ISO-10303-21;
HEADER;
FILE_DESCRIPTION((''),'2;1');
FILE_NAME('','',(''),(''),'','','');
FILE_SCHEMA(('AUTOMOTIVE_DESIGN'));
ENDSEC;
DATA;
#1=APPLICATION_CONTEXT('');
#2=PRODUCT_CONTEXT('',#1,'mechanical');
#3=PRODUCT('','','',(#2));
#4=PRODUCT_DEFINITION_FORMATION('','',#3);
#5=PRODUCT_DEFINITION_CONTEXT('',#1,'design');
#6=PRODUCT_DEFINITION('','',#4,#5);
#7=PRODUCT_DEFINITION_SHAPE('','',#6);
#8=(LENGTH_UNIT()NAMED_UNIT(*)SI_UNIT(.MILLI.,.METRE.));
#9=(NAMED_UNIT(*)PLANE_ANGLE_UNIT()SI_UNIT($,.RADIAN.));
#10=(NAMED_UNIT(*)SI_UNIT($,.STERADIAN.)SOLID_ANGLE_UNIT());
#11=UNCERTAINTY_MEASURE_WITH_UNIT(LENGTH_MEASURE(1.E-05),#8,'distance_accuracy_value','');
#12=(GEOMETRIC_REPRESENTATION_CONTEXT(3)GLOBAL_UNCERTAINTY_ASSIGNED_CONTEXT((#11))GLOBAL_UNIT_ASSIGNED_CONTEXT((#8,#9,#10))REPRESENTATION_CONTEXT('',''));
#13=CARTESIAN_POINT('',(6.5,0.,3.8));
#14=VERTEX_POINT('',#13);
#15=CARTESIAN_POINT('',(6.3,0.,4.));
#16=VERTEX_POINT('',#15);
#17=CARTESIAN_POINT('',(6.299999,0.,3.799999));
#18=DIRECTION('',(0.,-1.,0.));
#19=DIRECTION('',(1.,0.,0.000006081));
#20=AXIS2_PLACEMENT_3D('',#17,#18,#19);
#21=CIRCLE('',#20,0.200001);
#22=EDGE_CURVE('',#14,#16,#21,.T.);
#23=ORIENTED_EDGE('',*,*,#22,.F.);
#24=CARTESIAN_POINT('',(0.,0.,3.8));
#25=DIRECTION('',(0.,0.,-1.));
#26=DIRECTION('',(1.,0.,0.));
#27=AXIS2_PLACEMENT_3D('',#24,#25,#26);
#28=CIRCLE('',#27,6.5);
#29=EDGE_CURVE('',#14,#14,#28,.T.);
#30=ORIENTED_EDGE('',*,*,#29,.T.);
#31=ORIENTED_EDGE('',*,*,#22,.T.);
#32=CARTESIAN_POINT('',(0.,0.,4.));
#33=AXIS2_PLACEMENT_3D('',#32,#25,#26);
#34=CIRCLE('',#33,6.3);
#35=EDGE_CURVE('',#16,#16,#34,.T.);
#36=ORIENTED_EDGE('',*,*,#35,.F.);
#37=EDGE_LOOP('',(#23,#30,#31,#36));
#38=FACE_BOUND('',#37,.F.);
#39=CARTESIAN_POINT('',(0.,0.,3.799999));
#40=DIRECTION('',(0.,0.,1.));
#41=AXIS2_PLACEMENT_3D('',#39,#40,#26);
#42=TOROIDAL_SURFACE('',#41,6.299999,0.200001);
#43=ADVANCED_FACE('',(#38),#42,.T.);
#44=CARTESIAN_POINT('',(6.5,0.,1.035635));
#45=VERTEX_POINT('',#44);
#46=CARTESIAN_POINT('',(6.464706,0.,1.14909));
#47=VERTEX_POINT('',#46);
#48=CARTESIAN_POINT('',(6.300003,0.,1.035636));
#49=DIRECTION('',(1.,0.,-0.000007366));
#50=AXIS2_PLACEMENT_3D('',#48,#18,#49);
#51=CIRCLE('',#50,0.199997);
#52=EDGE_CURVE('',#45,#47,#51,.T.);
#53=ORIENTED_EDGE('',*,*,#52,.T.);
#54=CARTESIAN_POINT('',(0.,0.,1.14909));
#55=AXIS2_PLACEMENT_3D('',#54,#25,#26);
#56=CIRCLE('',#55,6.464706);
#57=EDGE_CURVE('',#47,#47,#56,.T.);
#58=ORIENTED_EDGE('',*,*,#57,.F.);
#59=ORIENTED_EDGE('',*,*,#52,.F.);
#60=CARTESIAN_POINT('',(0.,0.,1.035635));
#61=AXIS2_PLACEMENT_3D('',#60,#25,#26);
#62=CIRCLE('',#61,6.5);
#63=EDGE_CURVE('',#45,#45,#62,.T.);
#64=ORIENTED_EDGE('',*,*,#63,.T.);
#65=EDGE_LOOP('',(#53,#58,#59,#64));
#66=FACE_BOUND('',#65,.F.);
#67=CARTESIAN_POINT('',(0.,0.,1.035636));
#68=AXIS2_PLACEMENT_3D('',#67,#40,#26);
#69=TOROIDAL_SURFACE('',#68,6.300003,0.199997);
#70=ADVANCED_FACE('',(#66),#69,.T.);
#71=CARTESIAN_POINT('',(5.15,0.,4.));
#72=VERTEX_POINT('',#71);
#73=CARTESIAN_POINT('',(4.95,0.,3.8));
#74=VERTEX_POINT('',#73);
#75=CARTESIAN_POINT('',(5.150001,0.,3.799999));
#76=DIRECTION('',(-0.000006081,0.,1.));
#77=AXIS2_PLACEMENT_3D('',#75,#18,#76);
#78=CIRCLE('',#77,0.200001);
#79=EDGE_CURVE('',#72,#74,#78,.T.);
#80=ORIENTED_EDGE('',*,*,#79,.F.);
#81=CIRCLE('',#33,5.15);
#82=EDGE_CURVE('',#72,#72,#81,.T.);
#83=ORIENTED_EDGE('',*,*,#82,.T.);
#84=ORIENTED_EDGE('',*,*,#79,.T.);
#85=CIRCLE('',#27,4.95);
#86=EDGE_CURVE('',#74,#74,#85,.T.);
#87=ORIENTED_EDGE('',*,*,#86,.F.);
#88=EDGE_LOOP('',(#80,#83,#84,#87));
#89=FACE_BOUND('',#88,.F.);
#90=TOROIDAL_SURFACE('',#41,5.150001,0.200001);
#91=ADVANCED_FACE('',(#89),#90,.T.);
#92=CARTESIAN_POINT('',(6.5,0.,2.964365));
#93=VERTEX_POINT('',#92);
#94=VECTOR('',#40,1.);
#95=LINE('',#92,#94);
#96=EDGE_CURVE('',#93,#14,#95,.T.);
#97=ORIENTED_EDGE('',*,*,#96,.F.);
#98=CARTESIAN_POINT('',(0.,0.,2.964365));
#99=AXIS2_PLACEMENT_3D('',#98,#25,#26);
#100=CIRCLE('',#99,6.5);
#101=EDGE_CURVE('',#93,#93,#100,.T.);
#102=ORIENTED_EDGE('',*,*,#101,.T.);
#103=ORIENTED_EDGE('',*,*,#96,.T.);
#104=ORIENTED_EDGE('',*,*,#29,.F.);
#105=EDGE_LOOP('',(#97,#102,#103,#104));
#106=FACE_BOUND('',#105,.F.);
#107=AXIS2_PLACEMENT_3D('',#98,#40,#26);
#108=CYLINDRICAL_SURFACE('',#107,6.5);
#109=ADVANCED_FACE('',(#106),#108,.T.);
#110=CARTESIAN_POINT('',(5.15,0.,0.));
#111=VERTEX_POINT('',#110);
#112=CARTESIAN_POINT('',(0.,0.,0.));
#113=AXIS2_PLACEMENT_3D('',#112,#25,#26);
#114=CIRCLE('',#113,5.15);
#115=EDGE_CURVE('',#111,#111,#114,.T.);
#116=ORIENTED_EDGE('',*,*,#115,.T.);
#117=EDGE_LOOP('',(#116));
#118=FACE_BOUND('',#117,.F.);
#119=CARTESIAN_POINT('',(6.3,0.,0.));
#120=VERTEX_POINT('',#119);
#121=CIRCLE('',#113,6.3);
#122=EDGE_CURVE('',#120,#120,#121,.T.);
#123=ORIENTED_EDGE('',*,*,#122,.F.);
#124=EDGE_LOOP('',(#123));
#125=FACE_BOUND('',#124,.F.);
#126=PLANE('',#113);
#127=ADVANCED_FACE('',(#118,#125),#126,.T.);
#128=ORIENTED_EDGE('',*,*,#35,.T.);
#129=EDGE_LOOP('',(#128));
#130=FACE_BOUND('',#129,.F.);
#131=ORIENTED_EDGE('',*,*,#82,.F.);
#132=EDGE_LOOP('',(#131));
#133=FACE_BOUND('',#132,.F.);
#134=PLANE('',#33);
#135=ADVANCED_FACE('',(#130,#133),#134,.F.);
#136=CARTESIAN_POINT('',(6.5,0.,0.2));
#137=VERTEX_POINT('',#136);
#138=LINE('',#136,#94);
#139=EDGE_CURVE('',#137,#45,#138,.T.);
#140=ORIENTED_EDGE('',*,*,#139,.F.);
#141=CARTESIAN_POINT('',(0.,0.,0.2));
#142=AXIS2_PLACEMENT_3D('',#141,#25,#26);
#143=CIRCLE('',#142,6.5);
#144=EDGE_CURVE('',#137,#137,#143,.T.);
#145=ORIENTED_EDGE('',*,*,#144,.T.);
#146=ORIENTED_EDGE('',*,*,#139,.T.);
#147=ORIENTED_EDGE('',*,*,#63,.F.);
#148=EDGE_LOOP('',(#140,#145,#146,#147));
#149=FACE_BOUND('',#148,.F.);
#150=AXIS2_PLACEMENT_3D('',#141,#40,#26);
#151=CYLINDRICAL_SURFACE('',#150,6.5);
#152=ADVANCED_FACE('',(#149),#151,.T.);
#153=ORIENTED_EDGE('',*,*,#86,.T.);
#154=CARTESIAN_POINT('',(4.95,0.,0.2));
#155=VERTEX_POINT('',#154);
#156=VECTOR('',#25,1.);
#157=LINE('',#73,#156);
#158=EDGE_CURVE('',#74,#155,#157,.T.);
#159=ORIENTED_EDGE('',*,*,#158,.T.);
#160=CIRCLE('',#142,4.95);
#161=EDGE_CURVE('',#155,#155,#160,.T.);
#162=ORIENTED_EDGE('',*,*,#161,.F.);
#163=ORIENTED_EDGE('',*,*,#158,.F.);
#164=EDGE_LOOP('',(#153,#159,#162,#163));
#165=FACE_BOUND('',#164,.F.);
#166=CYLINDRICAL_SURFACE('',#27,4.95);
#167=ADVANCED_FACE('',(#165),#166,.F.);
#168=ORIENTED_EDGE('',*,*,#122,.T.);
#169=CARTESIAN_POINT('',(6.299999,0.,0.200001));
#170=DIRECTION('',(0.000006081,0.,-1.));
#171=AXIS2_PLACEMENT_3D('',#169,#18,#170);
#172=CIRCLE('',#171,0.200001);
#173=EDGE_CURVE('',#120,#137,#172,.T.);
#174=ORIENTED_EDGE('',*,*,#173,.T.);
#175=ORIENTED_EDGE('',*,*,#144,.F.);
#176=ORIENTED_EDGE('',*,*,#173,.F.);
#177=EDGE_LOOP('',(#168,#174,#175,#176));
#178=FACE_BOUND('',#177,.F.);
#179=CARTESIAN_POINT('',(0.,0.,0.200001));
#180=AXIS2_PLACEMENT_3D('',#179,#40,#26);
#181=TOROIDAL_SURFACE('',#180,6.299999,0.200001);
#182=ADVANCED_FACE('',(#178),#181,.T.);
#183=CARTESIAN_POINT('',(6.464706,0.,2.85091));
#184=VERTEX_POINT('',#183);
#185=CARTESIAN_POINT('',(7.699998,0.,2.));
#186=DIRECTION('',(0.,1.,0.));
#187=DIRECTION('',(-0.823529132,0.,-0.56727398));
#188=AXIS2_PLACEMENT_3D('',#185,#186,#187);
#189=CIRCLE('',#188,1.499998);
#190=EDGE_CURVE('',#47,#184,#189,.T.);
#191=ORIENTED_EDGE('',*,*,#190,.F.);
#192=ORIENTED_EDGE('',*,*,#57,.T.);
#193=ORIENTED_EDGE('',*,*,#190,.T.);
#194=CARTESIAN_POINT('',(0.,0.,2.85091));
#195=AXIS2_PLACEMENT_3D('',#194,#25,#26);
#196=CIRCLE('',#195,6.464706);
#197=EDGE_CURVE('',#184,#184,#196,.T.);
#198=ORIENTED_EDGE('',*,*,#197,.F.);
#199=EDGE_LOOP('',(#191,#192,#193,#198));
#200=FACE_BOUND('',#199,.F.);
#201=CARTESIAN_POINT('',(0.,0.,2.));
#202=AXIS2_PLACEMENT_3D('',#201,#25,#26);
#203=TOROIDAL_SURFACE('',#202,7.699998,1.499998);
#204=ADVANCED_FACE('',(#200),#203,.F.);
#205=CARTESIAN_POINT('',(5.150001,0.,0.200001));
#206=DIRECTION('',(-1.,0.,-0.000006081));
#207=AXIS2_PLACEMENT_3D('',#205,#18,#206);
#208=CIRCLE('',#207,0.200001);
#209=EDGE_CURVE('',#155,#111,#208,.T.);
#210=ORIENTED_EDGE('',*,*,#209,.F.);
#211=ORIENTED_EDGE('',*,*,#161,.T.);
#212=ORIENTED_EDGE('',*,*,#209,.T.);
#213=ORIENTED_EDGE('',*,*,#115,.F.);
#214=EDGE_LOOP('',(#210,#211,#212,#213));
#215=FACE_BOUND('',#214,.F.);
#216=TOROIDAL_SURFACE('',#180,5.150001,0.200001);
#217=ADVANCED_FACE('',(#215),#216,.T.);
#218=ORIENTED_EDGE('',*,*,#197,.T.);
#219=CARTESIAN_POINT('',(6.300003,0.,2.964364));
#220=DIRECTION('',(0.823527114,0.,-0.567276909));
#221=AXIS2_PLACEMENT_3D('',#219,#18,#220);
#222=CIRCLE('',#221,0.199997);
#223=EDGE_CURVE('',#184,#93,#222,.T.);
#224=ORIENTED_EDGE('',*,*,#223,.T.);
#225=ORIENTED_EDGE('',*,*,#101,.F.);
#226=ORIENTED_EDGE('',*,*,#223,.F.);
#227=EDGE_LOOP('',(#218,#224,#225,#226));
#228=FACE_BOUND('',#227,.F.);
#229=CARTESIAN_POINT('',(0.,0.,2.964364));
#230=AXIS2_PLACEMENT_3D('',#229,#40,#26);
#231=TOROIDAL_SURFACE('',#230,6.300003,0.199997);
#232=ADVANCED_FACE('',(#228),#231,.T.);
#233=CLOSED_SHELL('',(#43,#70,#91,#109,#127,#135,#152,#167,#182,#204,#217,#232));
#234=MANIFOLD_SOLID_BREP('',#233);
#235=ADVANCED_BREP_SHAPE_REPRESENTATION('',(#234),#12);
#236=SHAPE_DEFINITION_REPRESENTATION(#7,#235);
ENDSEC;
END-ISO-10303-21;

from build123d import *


with BuildPart() as f1:
    # F0 (on Front) → F1 (revolve)
    with BuildSketch(Plane.XZ):
        with BuildLine():
            Line((4.95, 3.8), (4.95, 0.2))
            ThreePointArc((4.95, 0.2), (5.008579, 0.058579), (5.15, 0))
            Line((5.15, 0), (6.3, 0))
            ThreePointArc((6.3, 0), (6.441421, 0.058579), (6.5, 0.2))
            Line((6.5, 0.2), (6.5, 1.035635))
            ThreePointArc((6.5, 1.035635), (6.490973, 1.095044), (6.464706, 1.14909))
            ThreePointArc((6.464706, 1.14909), (6.2, 2), (6.464706, 2.85091))
            ThreePointArc((6.464706, 2.85091), (6.490973, 2.904956), (6.5, 2.964365))
            Line((6.5, 2.964365), (6.5, 3.8))
            ThreePointArc((6.5, 3.8), (6.441421, 3.941421), (6.3, 4))
            Line((6.3, 4), (5.15, 4))
            ThreePointArc((5.15, 4), (5.008579, 3.941421), (4.95, 3.8))
        make_face()
    revolve(axis=Axis((0, 0, -3.624108), (0, 0, -1)))


solid = f1.part
